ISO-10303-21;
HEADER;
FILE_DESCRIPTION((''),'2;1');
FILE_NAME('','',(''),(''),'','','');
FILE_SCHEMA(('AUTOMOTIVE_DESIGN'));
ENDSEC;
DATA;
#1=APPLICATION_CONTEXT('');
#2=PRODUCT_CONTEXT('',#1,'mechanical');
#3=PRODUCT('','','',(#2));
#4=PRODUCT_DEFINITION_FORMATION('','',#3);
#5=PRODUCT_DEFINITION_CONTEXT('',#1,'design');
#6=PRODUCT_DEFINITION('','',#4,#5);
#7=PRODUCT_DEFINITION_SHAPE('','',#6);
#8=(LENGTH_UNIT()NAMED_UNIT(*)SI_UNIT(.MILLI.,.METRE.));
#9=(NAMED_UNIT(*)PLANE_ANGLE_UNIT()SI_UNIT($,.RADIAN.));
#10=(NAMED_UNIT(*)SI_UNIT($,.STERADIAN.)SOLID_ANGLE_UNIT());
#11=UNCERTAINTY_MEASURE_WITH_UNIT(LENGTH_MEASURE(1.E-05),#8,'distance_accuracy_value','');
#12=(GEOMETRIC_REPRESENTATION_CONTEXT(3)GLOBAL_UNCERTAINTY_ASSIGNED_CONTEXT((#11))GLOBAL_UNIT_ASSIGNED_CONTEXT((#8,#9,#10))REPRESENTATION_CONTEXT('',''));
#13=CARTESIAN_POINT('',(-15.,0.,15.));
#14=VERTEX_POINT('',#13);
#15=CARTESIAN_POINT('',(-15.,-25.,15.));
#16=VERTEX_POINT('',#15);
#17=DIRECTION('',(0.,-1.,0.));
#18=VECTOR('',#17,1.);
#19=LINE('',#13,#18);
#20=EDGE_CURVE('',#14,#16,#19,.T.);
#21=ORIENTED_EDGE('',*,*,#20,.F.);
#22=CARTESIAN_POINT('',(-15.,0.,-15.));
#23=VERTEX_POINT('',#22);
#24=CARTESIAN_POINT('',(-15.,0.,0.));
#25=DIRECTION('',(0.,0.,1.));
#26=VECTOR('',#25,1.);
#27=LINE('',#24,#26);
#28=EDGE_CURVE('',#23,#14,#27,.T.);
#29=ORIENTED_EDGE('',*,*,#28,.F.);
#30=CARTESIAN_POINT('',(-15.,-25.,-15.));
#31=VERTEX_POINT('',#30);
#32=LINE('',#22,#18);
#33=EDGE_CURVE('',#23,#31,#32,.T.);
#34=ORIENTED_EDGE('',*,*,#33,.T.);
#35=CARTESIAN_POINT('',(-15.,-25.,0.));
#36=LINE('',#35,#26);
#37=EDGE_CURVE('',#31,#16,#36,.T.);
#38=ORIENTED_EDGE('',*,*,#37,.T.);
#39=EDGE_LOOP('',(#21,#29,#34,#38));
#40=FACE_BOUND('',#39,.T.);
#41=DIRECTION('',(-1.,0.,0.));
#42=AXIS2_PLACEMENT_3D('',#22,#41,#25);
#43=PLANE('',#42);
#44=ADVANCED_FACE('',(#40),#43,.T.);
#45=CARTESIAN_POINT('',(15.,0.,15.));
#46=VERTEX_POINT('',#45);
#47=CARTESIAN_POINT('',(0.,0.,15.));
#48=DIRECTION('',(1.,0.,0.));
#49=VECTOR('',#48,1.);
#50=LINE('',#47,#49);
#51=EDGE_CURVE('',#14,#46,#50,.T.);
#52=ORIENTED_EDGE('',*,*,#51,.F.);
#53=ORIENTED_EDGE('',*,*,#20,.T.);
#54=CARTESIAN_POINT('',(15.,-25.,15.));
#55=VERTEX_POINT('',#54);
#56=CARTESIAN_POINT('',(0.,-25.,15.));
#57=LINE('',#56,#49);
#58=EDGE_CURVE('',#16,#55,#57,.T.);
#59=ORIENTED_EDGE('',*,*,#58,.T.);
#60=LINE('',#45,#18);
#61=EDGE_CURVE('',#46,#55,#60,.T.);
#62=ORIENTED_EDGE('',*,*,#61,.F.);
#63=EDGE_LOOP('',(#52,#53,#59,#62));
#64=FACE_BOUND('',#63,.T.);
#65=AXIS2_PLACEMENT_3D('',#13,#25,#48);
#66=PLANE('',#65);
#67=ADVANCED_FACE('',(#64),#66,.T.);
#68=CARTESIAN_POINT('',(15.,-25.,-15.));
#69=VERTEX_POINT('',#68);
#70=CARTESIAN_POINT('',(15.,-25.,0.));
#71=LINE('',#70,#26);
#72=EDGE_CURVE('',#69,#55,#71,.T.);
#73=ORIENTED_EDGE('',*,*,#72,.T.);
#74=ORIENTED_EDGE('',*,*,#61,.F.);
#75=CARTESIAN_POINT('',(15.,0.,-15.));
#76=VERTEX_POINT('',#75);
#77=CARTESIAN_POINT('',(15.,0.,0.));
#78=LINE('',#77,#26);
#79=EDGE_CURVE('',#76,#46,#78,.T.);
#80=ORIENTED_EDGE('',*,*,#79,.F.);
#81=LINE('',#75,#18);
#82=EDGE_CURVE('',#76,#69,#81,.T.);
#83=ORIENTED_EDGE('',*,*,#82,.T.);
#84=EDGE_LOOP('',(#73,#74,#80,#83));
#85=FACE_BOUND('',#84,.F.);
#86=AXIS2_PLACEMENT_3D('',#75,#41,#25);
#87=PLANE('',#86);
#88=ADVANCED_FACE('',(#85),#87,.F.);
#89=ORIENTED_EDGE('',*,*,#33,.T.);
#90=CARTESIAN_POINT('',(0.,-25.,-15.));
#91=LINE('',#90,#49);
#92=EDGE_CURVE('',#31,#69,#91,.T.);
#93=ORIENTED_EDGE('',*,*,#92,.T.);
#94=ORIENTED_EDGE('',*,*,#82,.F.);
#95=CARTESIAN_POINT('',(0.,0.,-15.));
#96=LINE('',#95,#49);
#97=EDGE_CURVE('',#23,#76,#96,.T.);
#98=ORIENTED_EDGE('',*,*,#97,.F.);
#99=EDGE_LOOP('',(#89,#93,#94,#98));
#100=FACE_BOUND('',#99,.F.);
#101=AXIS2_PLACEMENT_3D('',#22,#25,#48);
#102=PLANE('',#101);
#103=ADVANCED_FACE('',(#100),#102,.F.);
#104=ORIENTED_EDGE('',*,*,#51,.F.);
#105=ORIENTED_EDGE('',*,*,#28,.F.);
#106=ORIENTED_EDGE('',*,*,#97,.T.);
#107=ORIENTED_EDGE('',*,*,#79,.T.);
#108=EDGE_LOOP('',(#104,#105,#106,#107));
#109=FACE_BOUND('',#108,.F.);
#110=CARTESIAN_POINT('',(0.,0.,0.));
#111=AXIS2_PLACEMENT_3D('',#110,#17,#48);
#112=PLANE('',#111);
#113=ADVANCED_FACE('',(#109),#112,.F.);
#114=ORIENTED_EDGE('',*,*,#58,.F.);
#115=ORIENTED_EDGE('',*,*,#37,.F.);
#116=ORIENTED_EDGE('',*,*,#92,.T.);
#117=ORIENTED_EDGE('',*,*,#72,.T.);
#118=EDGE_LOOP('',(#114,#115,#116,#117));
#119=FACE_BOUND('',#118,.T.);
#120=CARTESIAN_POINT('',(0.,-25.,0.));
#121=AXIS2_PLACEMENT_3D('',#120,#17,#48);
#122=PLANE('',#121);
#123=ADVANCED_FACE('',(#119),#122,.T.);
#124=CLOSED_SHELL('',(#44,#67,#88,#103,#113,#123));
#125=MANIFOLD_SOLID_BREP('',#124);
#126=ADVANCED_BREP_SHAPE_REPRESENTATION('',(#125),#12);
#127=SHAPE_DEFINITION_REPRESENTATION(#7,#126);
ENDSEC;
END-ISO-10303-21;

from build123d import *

# Parameters (mm, degrees)
F0_W     = 30
F0_H     = 30
F1_DEPTH = 25
F2_DEPTH = 25


with BuildPart() as f1:
    # F0 (on Front) → F1 (new body)
    with BuildSketch(Plane.XZ):
        Rectangle(F0_W, F0_H)
    extrude(amount=F1_DEPTH)

    # F0 (on Front) → F2 (join)
    with BuildSketch(Plane.XZ):
        Rectangle(F0_W, F0_H)
    extrude(amount=F2_DEPTH)


solid = f1.part
